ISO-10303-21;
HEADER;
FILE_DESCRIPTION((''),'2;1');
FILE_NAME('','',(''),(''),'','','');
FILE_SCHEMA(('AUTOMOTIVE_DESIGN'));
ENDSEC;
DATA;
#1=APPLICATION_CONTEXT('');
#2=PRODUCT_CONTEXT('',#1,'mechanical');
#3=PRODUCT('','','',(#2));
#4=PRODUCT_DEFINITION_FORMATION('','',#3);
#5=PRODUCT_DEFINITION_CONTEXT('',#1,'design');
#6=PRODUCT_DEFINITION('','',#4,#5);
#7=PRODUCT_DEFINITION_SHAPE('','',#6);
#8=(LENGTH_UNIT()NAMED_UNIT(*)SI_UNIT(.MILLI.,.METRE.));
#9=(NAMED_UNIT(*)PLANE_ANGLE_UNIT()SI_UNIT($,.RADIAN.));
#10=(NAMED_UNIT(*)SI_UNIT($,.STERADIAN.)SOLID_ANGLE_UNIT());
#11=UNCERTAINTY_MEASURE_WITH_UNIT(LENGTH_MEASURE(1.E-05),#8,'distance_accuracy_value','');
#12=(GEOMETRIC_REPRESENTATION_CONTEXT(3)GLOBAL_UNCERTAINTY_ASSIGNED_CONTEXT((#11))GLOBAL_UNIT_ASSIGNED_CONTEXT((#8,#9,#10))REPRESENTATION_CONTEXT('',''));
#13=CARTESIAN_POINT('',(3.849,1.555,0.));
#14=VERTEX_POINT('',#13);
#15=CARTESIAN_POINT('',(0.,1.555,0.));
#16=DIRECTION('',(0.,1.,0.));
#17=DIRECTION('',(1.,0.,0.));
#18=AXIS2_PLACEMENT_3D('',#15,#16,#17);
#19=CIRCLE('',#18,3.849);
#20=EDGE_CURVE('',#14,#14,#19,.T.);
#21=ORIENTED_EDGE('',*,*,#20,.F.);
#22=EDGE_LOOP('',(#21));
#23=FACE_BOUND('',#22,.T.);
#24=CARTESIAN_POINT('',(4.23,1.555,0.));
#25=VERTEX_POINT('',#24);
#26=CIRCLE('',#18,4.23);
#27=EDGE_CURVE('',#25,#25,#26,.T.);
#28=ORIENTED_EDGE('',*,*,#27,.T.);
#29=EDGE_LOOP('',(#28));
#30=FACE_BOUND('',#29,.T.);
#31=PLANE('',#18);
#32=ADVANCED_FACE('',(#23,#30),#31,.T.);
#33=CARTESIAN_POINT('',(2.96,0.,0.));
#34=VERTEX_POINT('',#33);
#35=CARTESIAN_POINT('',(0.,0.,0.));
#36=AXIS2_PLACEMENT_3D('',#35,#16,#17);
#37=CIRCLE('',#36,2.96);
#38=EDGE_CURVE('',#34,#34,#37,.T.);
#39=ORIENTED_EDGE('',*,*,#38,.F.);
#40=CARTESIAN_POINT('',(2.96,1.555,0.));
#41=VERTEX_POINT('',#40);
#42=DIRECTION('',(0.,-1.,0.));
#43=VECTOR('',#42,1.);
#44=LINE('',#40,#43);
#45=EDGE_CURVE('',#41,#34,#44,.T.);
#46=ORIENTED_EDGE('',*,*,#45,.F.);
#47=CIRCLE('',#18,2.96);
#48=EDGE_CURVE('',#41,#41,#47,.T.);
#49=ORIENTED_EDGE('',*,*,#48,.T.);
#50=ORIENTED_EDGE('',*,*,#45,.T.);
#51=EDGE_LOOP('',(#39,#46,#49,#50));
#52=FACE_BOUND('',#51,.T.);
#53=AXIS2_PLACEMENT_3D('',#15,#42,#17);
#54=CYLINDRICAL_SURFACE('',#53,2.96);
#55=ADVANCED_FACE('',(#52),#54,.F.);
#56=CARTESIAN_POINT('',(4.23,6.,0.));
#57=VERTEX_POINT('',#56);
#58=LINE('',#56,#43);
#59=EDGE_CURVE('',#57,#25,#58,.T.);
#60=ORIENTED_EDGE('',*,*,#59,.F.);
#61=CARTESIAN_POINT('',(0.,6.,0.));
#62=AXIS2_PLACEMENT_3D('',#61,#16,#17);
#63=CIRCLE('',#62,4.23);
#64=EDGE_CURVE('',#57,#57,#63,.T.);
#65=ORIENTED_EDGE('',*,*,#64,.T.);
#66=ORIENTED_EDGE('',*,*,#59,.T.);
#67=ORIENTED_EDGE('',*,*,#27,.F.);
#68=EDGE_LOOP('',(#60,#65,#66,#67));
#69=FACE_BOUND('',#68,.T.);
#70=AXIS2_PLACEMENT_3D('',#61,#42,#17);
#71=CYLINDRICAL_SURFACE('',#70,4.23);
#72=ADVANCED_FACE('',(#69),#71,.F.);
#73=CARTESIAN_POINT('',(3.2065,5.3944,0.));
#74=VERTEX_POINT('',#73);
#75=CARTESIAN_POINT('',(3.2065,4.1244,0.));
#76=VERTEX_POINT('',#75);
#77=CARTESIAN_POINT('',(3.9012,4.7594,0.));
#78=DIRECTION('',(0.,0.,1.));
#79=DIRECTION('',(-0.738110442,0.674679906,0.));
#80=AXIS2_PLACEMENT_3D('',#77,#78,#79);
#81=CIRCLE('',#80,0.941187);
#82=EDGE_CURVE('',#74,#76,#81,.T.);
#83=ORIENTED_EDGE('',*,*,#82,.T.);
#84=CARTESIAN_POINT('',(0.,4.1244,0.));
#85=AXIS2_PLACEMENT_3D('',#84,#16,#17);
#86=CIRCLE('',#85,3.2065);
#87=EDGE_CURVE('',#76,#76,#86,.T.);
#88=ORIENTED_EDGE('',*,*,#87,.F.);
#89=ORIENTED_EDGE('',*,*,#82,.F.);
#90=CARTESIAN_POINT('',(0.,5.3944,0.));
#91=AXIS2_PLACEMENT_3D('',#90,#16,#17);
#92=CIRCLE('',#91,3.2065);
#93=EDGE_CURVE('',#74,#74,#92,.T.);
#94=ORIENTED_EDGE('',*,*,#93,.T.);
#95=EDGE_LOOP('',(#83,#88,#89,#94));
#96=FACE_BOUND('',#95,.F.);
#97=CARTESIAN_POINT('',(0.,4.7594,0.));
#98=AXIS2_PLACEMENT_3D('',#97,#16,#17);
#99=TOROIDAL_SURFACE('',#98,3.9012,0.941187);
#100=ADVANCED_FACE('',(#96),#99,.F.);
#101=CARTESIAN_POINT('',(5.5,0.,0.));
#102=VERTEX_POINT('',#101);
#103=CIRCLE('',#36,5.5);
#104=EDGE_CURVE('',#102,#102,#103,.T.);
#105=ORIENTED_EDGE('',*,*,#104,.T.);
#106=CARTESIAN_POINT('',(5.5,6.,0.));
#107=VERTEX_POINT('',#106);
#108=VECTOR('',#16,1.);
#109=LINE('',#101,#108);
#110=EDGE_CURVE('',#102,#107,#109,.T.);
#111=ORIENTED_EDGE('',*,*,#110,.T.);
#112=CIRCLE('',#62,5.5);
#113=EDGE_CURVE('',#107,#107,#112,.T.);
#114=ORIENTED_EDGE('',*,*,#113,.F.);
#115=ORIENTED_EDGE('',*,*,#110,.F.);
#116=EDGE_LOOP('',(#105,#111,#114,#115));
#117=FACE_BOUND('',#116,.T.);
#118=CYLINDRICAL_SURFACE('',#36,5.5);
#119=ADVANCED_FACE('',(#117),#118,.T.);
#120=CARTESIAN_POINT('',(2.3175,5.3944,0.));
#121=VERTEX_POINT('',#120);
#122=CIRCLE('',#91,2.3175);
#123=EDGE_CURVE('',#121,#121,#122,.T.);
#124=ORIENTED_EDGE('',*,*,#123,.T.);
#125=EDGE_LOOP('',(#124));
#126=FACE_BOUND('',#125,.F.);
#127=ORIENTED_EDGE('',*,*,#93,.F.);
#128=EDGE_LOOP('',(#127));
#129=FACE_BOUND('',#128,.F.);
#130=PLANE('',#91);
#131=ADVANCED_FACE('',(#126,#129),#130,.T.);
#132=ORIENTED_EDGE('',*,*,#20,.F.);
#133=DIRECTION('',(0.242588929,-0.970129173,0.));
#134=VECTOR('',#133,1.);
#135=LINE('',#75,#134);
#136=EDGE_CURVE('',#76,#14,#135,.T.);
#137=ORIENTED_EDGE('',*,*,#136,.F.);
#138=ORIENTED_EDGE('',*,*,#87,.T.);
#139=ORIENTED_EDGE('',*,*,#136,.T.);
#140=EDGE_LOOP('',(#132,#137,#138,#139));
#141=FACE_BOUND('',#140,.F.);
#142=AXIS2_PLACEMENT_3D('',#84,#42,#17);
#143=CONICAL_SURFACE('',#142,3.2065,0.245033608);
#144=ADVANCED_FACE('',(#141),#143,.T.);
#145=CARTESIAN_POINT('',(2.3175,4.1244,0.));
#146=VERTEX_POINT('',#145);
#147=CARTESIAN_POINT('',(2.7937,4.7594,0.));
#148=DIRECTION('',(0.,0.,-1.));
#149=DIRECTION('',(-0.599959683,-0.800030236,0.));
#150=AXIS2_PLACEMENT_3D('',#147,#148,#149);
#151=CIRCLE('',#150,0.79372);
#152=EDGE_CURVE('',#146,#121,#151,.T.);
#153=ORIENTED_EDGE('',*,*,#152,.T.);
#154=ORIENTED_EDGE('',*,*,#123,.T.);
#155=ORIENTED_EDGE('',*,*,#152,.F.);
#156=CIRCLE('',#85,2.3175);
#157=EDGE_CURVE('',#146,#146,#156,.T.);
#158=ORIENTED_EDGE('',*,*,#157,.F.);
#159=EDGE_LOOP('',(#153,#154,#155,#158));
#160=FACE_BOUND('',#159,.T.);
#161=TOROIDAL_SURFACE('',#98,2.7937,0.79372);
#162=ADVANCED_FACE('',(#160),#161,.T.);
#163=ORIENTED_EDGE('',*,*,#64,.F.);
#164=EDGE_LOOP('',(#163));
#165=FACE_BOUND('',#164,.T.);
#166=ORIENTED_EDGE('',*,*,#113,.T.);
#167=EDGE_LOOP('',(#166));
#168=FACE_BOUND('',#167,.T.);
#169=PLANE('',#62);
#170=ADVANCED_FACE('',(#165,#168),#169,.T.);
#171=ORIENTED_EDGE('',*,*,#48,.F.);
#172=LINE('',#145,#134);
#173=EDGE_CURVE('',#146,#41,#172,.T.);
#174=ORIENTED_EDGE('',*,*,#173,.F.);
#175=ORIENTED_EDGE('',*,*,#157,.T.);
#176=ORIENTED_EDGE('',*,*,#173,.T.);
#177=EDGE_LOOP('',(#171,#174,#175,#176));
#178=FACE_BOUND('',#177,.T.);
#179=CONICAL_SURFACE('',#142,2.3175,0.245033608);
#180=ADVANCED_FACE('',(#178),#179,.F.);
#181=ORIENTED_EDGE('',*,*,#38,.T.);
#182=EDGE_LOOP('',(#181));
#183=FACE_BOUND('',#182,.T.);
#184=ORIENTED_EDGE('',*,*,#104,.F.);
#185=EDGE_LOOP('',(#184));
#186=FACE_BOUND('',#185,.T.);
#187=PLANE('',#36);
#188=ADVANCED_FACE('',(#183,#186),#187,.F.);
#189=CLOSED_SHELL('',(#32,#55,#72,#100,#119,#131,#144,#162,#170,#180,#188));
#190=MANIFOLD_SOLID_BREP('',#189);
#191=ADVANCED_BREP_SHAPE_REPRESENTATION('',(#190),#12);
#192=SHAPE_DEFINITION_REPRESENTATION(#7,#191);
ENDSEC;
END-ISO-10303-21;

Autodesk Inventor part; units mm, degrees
ref_plane "YZ Plane" through (0, 0, 0) normal (1, 0, 0) x (0, 1, 0)
ref_plane "XZ Plane" through (0, 0, 0) normal (0, 1, 0) x (-1, 0, 0)
ref_plane "XY Plane" through (0, 0, 0) normal (0, 0, 1) x (1, 0, 0)
sketch "Sketch1" plane through (0, 0, 0) normal (0, 0, 1) x (1, 0, 0)
  line L0 (0, 0) -> (5.5, 0)
  line L1 (5.5, 0) -> (5.5, 6)
  line L2 (5.5, 6) -> (4.23, 6)
  line L3 (4.23, 6) -> (4.23, 1.555)
  line L4 (0, 4.7594) -> (2, 4.7594)
  line L5 (4.23, 1.555) -> (2.96, 1.555)
  line L6 (2, 4.7594) -> (2, 4.1244)
  line L7 (2, 4.1244) -> (2.3175, 4.1244)
  arc A0 (2.3175, 5.3944) -> (2.3175, 4.1244) centre (2.7937, 4.7594) ccw
  line L8 (2.3175, 4.1244) -> (2.96, 1.555)
  line L9 (2.3175, 5.3944) -> (3.2065, 5.3944)
  arc A1 (3.2065, 5.3944) -> (3.2065, 4.1244) centre (3.9012, 4.7594) ccw
  line L10 (3.2065, 4.1244) -> (3.849, 1.555)
  line L11 (2.96, 1.555) -> (2.96, 0)
  line L12 (0, 0) -> (0, 3.2708)
  dimension "d0" = 5.5
  dimension "d1" = 6
  dimension "d2" = 1.27
  dimension "d3" = 4.445
  dimension "d4" = 2
  dimension "d5" = 1.27
  dimension "d6" = 0.635
  dimension "d7" = 0.3175
  dimension "d8" = 1.27
  dimension "d9" = 0.889
  dimension "d11" = 0.9412
revolve "Revolution1" add sketch "Sketch1" angle 360 about axis through (0, 0, 0) along (0, 1, 0) contours L11 L5 L3 L2 L1 L0 | L8 A0 L9 A1 L10 L5
properties part number "RubberMould"
